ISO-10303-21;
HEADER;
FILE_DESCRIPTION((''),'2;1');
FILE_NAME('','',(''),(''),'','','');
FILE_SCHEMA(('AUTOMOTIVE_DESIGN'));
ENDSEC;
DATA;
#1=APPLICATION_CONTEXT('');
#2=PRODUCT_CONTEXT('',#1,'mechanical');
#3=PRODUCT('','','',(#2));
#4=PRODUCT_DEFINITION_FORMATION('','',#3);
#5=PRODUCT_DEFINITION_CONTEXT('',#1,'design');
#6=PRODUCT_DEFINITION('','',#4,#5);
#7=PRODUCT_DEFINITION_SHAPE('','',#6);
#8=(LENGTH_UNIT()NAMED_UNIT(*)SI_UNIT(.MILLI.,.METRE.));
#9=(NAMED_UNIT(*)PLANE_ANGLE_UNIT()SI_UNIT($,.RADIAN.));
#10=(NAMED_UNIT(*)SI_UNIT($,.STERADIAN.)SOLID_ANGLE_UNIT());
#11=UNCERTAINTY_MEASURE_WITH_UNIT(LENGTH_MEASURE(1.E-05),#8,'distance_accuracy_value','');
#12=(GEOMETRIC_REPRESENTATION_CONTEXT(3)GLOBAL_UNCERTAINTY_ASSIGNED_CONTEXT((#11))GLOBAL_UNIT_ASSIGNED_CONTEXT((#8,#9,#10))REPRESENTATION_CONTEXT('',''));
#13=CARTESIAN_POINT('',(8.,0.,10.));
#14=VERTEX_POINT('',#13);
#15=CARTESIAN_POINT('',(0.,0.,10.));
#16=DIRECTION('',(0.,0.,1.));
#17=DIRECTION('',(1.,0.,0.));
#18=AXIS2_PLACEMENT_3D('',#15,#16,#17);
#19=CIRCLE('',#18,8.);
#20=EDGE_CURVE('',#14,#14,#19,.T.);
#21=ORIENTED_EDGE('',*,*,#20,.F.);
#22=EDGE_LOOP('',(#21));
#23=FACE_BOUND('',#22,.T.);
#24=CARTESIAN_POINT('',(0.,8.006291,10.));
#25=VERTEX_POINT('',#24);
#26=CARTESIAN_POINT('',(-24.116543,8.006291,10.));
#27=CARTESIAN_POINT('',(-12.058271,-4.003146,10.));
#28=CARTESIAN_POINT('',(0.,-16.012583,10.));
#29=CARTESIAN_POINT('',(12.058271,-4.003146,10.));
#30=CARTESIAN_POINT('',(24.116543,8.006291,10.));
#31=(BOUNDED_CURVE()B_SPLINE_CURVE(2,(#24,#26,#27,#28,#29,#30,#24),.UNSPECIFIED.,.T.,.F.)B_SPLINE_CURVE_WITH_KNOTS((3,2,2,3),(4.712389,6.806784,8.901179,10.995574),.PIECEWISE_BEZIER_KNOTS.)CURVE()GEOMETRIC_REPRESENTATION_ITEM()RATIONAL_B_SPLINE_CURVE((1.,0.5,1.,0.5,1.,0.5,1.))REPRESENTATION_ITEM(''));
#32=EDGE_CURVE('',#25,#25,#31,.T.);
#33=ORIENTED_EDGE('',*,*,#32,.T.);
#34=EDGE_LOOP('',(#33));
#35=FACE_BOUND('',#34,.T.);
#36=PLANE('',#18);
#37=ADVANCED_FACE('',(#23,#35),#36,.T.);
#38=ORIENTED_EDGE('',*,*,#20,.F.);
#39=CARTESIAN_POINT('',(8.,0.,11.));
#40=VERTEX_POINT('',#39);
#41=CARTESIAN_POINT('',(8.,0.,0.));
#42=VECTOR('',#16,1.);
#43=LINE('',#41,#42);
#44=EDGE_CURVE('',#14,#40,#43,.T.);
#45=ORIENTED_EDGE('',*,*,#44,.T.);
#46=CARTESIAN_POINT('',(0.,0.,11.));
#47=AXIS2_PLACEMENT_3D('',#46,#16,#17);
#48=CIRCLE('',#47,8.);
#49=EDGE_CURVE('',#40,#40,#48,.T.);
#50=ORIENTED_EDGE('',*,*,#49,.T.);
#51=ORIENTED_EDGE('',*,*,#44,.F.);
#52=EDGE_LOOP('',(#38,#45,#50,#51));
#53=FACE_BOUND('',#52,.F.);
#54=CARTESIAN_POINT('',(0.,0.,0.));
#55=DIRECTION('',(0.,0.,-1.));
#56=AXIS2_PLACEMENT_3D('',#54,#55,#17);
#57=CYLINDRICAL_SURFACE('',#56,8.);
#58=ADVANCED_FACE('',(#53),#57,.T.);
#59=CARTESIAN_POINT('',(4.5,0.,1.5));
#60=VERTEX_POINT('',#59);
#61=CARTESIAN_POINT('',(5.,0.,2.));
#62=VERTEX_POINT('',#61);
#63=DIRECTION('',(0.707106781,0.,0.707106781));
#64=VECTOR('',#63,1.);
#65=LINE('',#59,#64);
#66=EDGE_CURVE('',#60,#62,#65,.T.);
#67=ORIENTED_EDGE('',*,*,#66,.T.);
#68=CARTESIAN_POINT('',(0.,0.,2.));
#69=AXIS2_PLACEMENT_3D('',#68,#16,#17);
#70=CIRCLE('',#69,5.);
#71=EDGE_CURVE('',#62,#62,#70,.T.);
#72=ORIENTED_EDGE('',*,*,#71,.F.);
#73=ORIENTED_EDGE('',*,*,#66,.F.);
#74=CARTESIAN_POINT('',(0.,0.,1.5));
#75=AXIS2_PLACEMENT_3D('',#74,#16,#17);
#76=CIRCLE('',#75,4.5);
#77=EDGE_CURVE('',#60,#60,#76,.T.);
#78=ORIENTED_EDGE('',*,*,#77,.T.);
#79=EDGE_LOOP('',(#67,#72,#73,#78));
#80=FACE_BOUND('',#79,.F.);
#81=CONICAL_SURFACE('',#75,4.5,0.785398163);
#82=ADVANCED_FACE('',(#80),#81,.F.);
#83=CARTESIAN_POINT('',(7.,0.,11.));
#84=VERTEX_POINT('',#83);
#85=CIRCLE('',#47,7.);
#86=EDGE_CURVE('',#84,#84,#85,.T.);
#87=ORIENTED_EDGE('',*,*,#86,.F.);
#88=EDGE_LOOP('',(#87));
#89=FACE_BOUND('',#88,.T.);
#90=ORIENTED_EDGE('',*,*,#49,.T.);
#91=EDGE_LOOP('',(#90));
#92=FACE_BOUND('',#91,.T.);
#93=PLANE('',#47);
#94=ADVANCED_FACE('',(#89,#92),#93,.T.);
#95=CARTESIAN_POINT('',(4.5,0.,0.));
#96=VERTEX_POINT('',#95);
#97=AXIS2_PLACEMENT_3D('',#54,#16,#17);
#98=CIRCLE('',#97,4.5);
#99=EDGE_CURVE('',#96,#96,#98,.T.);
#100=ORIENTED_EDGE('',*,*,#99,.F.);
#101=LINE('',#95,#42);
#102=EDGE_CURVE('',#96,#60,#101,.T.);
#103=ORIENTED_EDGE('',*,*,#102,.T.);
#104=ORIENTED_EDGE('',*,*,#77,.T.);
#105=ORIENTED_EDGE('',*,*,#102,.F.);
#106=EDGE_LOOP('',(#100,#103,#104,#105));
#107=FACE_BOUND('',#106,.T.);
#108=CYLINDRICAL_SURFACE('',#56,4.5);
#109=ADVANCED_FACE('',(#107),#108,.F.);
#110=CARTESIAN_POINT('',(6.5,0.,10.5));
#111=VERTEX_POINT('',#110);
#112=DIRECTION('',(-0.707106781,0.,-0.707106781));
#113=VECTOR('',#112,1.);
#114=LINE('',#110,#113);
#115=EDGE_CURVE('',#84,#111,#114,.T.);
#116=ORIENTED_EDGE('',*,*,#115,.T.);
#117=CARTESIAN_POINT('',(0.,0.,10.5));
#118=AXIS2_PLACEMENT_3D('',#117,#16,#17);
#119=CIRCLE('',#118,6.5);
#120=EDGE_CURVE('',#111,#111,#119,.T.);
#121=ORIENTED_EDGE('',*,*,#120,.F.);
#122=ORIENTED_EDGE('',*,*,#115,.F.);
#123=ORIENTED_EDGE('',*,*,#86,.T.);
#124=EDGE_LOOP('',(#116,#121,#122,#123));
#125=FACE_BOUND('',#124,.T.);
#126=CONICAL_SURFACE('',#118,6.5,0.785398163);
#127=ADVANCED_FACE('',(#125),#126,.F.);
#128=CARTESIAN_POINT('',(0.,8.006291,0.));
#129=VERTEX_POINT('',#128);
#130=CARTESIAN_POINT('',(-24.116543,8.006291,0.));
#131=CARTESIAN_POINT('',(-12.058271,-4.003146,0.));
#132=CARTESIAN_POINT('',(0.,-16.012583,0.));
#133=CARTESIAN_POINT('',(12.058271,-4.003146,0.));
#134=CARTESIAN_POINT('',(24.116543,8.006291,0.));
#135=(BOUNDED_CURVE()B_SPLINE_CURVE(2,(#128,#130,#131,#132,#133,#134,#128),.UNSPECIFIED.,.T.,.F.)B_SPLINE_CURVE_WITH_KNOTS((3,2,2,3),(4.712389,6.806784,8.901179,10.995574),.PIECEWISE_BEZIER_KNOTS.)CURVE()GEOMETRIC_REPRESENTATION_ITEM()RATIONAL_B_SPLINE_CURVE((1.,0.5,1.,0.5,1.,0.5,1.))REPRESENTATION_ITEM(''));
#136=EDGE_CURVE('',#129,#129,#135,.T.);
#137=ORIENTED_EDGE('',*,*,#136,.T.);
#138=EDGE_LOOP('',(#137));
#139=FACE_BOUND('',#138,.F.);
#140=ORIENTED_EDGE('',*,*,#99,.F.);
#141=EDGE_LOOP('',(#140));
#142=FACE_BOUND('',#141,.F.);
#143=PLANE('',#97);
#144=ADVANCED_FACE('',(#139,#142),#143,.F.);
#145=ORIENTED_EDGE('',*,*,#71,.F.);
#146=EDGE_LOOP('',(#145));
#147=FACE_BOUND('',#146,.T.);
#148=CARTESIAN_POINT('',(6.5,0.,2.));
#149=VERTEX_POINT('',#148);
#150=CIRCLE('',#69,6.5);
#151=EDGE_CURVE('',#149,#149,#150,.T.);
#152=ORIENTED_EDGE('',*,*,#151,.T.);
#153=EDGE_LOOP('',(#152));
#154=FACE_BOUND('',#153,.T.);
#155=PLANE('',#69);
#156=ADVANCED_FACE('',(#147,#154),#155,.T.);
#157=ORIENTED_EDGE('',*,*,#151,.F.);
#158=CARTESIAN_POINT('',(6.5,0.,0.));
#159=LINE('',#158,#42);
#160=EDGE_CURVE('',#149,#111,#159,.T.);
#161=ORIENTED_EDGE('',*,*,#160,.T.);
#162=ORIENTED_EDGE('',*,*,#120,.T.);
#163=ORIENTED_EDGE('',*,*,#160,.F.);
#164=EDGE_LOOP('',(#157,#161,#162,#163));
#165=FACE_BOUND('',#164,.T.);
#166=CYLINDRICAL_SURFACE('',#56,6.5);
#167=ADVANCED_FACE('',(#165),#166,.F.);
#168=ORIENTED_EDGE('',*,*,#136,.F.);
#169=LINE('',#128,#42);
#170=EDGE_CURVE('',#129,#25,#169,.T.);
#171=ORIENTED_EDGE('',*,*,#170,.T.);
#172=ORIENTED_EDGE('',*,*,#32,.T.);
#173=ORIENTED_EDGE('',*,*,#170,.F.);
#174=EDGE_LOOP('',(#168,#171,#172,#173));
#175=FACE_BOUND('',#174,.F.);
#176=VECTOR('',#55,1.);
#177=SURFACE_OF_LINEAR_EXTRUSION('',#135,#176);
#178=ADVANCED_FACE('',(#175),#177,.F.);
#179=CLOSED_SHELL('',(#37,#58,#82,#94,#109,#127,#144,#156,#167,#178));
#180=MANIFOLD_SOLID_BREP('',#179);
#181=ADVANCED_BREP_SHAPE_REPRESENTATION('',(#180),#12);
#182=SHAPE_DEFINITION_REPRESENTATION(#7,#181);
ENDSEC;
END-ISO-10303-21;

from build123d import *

# Parameters (mm, degrees)
F0_R     = 8
F0_R_2   = 6.5
F1_DEPTH = 11
F0_R_3   = 4.5
F2_DEPTH = 2
F3_DEPTH = 10
F4_SIZE  = 0.5


with BuildPart() as f1:
    # F0 (on Top) → F1 (new body)
    with BuildSketch(Plane.XY):
        Circle(F0_R)
        Circle(F0_R_2, mode=Mode.SUBTRACT)
    extrude(amount=F1_DEPTH)

    # F0 (on Top) → F2 (join)
    with BuildSketch(Plane.XY):
        Circle(F0_R_2)
        Circle(F0_R_3, mode=Mode.SUBTRACT)
    extrude(amount=F2_DEPTH)

    # F0 (on Top) → F3 (join)
    with BuildSketch(Plane.XY):
        with BuildLine():
            add(Edge.make_bspline(
                [(0, 8.006291), (-24.116543, 8.006291), (-12.058271, -4.003146), (0, -16.012583), (12.058271, -4.003146), (24.116543, 8.006291), (0, 8.006291)],
                knots=[4.712389, 4.712389, 4.712389, 6.806784, 6.806784, 8.901179, 8.901179, 10.995574, 10.995574, 10.995574], degree=2, weights=[1, 0.5, 1, 0.5, 1, 0.5, 1]))
        make_face()
        Circle(F0_R, mode=Mode.SUBTRACT)
    extrude(amount=F3_DEPTH)

    # F4
    f4_edges = [f1.edges().sort_by_distance(p)[0] for p in [
        (-6.5, 0, 11),
        (-4.5, 0, 2),
    ]]
    chamfer(f4_edges, length=F4_SIZE)


solid = f1.part
